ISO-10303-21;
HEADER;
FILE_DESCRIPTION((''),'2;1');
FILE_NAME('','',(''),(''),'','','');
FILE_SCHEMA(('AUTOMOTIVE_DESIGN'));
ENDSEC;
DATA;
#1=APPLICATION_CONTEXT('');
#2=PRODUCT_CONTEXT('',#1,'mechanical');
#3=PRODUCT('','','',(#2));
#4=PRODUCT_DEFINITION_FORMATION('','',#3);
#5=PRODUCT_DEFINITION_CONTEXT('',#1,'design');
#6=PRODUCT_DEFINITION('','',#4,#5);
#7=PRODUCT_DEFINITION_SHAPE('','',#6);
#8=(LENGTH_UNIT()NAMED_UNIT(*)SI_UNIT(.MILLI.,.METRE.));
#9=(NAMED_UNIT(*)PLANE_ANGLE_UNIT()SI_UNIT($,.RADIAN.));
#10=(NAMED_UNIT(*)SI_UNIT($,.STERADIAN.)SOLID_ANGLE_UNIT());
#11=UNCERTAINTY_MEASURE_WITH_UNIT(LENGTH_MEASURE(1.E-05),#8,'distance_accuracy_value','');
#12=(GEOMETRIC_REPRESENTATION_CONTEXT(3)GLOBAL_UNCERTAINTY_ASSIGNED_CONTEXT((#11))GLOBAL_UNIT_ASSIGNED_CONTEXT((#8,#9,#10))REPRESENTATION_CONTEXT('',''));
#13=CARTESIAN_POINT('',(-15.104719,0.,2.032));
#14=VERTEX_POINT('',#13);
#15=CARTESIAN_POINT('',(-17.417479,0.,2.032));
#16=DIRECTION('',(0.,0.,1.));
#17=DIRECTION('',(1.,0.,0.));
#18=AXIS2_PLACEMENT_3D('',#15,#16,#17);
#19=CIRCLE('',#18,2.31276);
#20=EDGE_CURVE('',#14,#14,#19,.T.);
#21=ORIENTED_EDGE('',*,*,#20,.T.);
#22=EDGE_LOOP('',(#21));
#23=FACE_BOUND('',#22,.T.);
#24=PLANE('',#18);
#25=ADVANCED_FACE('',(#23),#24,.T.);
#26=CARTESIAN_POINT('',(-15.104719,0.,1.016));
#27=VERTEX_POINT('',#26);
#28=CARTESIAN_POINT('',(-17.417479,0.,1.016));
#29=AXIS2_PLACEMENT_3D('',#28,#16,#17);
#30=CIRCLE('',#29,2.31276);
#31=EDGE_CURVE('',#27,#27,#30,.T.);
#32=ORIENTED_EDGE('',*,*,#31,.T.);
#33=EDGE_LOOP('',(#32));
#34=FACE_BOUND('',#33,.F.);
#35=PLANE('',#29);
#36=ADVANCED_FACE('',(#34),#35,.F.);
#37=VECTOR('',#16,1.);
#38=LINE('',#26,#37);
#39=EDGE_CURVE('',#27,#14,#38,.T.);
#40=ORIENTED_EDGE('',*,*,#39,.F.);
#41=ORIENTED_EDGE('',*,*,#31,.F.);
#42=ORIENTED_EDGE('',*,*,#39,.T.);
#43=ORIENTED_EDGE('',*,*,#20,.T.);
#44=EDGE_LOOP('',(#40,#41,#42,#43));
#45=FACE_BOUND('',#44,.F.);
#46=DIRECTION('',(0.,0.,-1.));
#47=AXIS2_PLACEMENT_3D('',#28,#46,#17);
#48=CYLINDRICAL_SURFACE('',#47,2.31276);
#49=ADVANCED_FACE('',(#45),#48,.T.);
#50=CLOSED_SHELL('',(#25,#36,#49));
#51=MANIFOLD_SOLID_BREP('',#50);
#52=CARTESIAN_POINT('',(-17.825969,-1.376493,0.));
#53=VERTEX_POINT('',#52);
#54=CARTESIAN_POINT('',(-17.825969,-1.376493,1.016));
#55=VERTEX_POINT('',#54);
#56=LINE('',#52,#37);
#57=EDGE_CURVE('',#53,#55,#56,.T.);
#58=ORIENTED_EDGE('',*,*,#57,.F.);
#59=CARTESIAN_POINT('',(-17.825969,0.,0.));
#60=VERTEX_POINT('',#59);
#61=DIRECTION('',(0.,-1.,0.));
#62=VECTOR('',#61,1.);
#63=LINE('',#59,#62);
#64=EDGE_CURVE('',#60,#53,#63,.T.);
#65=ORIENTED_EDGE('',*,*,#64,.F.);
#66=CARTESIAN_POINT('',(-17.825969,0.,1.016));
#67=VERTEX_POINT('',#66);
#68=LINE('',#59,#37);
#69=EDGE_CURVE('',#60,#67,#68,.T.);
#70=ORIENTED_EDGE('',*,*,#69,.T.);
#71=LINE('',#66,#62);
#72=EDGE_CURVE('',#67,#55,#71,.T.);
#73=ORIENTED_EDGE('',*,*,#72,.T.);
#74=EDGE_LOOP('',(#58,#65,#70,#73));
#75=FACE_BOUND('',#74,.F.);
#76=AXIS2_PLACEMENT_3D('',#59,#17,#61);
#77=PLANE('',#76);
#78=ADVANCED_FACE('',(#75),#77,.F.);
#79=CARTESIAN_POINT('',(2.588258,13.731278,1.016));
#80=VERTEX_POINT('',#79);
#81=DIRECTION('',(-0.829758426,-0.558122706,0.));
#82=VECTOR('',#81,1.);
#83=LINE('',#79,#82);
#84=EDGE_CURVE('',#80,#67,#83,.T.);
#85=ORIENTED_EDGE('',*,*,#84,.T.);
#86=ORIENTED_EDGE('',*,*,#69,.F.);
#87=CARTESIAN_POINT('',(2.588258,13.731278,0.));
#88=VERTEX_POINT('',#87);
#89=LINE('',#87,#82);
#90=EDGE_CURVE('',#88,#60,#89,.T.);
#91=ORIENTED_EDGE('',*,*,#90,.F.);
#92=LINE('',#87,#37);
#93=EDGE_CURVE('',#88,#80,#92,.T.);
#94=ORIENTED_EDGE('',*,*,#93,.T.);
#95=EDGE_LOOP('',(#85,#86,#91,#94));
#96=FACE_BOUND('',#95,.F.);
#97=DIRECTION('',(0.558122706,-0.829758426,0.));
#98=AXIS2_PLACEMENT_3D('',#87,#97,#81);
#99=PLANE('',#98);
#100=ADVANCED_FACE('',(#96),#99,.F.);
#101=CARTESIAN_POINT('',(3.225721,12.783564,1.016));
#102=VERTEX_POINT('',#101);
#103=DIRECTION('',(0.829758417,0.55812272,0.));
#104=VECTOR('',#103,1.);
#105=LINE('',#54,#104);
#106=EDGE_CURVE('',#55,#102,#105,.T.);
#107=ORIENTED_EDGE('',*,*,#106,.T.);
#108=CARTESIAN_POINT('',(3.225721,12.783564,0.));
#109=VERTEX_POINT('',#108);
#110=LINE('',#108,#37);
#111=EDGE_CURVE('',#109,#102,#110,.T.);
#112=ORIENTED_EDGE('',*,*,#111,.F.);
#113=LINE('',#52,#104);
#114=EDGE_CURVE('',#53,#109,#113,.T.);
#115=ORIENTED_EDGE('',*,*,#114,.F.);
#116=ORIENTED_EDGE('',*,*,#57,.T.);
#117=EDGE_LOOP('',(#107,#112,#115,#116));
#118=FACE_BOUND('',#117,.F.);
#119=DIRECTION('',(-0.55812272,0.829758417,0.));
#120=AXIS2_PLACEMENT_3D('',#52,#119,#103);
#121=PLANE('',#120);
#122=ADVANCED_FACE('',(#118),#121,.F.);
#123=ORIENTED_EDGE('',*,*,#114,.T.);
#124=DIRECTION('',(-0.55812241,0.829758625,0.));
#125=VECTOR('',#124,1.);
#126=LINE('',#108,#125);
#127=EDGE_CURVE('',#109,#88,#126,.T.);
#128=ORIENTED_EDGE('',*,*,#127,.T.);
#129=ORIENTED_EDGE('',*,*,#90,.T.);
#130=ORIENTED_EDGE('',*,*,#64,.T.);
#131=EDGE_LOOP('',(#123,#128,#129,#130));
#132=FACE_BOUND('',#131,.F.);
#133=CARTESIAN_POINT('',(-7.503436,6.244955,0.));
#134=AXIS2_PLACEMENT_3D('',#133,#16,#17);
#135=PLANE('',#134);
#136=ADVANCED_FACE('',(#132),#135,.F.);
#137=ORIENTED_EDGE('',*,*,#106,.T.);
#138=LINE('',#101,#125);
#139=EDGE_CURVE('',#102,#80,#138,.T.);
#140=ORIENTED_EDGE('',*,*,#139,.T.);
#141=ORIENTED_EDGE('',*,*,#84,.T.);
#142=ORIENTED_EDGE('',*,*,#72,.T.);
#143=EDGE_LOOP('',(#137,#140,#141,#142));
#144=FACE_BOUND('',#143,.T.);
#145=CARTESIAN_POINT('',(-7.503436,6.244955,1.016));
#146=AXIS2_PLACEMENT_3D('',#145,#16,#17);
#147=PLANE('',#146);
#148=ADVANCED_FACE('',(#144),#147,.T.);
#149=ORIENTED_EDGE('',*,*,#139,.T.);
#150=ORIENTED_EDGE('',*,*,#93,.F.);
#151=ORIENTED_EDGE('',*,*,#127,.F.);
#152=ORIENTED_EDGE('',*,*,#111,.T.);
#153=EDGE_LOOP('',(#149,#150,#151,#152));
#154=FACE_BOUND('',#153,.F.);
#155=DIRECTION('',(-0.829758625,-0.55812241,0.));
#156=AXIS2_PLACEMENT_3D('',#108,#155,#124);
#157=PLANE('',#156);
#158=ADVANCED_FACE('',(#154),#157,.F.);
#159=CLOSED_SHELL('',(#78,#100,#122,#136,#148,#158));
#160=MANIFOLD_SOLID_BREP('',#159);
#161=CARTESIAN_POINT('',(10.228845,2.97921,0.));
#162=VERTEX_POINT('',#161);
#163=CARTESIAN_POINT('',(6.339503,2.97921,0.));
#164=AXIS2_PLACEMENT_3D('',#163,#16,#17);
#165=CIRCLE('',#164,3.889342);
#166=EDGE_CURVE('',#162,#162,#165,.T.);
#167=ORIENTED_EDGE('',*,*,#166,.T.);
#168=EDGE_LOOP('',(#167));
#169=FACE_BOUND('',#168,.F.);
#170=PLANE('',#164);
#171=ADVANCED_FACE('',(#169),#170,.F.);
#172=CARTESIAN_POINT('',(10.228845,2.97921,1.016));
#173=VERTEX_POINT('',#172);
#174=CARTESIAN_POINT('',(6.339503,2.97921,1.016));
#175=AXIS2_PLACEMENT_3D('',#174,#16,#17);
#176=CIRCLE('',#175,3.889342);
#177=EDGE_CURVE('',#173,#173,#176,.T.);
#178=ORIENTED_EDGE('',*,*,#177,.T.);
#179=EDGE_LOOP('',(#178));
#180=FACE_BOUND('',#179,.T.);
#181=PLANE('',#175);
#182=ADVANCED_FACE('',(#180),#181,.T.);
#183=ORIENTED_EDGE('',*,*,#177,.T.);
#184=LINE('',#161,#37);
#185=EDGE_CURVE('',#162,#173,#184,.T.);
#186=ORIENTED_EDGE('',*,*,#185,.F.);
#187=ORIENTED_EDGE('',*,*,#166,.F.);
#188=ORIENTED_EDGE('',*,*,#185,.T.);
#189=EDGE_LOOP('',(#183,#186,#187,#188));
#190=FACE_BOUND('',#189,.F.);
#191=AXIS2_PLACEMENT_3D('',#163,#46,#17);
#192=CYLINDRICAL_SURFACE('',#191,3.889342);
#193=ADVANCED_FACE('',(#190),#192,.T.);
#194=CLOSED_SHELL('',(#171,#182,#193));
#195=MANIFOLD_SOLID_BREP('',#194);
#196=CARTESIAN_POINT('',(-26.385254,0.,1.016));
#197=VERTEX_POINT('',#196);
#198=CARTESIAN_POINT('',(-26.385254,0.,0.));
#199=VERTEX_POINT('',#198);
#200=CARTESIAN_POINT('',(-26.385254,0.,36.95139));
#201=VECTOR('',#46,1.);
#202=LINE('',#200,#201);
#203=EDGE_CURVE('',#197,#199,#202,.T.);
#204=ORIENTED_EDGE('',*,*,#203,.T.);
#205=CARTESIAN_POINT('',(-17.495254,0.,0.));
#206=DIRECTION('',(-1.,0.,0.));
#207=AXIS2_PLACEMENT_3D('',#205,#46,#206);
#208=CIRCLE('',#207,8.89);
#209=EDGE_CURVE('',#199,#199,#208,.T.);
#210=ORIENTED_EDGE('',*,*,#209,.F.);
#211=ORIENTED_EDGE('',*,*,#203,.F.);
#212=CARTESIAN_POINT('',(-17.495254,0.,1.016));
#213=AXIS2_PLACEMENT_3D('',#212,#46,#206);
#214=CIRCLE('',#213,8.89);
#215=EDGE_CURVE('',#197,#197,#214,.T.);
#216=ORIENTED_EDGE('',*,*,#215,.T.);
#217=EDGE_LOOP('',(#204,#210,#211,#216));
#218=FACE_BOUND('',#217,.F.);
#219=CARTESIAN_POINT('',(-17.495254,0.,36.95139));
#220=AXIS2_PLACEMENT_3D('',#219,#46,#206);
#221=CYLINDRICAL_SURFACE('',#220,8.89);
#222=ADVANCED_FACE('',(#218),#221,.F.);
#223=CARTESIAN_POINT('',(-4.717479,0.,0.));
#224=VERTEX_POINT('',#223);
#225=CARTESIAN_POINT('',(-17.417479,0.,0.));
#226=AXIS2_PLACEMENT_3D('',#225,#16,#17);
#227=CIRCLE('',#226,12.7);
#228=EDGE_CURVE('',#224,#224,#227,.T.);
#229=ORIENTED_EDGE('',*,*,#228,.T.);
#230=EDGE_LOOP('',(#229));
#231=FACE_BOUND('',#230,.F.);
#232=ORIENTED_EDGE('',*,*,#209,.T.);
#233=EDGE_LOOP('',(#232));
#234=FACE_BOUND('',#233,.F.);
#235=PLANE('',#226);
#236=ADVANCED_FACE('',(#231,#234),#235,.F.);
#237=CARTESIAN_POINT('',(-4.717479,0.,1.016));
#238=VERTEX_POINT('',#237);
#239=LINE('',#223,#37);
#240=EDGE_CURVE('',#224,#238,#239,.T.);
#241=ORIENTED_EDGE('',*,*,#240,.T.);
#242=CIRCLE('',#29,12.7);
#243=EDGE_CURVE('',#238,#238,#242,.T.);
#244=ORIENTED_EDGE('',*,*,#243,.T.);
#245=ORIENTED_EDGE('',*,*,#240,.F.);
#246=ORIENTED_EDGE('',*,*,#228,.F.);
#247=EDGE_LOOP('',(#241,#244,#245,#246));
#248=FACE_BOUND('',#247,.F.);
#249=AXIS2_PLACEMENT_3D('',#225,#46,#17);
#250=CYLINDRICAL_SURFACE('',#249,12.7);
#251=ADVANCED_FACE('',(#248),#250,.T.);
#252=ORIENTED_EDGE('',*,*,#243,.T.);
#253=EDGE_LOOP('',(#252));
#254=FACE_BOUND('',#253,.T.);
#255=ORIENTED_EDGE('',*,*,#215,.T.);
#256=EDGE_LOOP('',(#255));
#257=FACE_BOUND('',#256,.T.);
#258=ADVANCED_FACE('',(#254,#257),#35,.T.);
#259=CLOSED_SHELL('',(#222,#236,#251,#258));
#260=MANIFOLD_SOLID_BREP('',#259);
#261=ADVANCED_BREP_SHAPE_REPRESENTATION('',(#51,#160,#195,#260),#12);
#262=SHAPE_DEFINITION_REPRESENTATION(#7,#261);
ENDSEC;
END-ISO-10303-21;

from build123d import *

# Parameters (mm, degrees)
F0_R     = 12.7
F1_DEPTH = 1.016
F4_D     = 17.78
F2_R     = 2.31276
F5_DEPTH = 1.016
F6_R     = 3.889342
F7_DEPTH = 1.016
F9_DEPTH = 1.016


with BuildPart() as f1:
    # F0 (on Top) → F1 (new body)
    with BuildSketch(Plane.XY):
        with Locations((-17.417479, 0)):
            Circle(F0_R)
    extrude(amount=F1_DEPTH)

    # F4 (through all)
    with Locations(Plane.XY.offset(1.016)):
        with Locations((-17.495254, 0)):
            Hole(F4_D / 2)


with BuildPart() as f5:
    # F2 (on face) → F5 (new body)
    with BuildSketch(Plane.XY.offset(1.016)):
        with Locations((-17.417479, 0)):
            Circle(F2_R)
    extrude(amount=F5_DEPTH)


with BuildPart() as f7:
    # F6 (on Top) → F7 (new body)
    with BuildSketch(Plane.XY):
        with Locations((6.339503, 2.97921)):
            Circle(F6_R)
    extrude(amount=F7_DEPTH)


with BuildPart() as f9:
    # F8 (on Top) → F9 (new body)
    with BuildSketch(Plane.XY):
        Polygon((2.588258, 13.731278), (-17.825969, 0), (-17.825969, -1.376493), (3.225721, 12.783564), align=None)
    extrude(amount=F9_DEPTH)


solid = Compound([f1.part, f5.part, f7.part, f9.part])
